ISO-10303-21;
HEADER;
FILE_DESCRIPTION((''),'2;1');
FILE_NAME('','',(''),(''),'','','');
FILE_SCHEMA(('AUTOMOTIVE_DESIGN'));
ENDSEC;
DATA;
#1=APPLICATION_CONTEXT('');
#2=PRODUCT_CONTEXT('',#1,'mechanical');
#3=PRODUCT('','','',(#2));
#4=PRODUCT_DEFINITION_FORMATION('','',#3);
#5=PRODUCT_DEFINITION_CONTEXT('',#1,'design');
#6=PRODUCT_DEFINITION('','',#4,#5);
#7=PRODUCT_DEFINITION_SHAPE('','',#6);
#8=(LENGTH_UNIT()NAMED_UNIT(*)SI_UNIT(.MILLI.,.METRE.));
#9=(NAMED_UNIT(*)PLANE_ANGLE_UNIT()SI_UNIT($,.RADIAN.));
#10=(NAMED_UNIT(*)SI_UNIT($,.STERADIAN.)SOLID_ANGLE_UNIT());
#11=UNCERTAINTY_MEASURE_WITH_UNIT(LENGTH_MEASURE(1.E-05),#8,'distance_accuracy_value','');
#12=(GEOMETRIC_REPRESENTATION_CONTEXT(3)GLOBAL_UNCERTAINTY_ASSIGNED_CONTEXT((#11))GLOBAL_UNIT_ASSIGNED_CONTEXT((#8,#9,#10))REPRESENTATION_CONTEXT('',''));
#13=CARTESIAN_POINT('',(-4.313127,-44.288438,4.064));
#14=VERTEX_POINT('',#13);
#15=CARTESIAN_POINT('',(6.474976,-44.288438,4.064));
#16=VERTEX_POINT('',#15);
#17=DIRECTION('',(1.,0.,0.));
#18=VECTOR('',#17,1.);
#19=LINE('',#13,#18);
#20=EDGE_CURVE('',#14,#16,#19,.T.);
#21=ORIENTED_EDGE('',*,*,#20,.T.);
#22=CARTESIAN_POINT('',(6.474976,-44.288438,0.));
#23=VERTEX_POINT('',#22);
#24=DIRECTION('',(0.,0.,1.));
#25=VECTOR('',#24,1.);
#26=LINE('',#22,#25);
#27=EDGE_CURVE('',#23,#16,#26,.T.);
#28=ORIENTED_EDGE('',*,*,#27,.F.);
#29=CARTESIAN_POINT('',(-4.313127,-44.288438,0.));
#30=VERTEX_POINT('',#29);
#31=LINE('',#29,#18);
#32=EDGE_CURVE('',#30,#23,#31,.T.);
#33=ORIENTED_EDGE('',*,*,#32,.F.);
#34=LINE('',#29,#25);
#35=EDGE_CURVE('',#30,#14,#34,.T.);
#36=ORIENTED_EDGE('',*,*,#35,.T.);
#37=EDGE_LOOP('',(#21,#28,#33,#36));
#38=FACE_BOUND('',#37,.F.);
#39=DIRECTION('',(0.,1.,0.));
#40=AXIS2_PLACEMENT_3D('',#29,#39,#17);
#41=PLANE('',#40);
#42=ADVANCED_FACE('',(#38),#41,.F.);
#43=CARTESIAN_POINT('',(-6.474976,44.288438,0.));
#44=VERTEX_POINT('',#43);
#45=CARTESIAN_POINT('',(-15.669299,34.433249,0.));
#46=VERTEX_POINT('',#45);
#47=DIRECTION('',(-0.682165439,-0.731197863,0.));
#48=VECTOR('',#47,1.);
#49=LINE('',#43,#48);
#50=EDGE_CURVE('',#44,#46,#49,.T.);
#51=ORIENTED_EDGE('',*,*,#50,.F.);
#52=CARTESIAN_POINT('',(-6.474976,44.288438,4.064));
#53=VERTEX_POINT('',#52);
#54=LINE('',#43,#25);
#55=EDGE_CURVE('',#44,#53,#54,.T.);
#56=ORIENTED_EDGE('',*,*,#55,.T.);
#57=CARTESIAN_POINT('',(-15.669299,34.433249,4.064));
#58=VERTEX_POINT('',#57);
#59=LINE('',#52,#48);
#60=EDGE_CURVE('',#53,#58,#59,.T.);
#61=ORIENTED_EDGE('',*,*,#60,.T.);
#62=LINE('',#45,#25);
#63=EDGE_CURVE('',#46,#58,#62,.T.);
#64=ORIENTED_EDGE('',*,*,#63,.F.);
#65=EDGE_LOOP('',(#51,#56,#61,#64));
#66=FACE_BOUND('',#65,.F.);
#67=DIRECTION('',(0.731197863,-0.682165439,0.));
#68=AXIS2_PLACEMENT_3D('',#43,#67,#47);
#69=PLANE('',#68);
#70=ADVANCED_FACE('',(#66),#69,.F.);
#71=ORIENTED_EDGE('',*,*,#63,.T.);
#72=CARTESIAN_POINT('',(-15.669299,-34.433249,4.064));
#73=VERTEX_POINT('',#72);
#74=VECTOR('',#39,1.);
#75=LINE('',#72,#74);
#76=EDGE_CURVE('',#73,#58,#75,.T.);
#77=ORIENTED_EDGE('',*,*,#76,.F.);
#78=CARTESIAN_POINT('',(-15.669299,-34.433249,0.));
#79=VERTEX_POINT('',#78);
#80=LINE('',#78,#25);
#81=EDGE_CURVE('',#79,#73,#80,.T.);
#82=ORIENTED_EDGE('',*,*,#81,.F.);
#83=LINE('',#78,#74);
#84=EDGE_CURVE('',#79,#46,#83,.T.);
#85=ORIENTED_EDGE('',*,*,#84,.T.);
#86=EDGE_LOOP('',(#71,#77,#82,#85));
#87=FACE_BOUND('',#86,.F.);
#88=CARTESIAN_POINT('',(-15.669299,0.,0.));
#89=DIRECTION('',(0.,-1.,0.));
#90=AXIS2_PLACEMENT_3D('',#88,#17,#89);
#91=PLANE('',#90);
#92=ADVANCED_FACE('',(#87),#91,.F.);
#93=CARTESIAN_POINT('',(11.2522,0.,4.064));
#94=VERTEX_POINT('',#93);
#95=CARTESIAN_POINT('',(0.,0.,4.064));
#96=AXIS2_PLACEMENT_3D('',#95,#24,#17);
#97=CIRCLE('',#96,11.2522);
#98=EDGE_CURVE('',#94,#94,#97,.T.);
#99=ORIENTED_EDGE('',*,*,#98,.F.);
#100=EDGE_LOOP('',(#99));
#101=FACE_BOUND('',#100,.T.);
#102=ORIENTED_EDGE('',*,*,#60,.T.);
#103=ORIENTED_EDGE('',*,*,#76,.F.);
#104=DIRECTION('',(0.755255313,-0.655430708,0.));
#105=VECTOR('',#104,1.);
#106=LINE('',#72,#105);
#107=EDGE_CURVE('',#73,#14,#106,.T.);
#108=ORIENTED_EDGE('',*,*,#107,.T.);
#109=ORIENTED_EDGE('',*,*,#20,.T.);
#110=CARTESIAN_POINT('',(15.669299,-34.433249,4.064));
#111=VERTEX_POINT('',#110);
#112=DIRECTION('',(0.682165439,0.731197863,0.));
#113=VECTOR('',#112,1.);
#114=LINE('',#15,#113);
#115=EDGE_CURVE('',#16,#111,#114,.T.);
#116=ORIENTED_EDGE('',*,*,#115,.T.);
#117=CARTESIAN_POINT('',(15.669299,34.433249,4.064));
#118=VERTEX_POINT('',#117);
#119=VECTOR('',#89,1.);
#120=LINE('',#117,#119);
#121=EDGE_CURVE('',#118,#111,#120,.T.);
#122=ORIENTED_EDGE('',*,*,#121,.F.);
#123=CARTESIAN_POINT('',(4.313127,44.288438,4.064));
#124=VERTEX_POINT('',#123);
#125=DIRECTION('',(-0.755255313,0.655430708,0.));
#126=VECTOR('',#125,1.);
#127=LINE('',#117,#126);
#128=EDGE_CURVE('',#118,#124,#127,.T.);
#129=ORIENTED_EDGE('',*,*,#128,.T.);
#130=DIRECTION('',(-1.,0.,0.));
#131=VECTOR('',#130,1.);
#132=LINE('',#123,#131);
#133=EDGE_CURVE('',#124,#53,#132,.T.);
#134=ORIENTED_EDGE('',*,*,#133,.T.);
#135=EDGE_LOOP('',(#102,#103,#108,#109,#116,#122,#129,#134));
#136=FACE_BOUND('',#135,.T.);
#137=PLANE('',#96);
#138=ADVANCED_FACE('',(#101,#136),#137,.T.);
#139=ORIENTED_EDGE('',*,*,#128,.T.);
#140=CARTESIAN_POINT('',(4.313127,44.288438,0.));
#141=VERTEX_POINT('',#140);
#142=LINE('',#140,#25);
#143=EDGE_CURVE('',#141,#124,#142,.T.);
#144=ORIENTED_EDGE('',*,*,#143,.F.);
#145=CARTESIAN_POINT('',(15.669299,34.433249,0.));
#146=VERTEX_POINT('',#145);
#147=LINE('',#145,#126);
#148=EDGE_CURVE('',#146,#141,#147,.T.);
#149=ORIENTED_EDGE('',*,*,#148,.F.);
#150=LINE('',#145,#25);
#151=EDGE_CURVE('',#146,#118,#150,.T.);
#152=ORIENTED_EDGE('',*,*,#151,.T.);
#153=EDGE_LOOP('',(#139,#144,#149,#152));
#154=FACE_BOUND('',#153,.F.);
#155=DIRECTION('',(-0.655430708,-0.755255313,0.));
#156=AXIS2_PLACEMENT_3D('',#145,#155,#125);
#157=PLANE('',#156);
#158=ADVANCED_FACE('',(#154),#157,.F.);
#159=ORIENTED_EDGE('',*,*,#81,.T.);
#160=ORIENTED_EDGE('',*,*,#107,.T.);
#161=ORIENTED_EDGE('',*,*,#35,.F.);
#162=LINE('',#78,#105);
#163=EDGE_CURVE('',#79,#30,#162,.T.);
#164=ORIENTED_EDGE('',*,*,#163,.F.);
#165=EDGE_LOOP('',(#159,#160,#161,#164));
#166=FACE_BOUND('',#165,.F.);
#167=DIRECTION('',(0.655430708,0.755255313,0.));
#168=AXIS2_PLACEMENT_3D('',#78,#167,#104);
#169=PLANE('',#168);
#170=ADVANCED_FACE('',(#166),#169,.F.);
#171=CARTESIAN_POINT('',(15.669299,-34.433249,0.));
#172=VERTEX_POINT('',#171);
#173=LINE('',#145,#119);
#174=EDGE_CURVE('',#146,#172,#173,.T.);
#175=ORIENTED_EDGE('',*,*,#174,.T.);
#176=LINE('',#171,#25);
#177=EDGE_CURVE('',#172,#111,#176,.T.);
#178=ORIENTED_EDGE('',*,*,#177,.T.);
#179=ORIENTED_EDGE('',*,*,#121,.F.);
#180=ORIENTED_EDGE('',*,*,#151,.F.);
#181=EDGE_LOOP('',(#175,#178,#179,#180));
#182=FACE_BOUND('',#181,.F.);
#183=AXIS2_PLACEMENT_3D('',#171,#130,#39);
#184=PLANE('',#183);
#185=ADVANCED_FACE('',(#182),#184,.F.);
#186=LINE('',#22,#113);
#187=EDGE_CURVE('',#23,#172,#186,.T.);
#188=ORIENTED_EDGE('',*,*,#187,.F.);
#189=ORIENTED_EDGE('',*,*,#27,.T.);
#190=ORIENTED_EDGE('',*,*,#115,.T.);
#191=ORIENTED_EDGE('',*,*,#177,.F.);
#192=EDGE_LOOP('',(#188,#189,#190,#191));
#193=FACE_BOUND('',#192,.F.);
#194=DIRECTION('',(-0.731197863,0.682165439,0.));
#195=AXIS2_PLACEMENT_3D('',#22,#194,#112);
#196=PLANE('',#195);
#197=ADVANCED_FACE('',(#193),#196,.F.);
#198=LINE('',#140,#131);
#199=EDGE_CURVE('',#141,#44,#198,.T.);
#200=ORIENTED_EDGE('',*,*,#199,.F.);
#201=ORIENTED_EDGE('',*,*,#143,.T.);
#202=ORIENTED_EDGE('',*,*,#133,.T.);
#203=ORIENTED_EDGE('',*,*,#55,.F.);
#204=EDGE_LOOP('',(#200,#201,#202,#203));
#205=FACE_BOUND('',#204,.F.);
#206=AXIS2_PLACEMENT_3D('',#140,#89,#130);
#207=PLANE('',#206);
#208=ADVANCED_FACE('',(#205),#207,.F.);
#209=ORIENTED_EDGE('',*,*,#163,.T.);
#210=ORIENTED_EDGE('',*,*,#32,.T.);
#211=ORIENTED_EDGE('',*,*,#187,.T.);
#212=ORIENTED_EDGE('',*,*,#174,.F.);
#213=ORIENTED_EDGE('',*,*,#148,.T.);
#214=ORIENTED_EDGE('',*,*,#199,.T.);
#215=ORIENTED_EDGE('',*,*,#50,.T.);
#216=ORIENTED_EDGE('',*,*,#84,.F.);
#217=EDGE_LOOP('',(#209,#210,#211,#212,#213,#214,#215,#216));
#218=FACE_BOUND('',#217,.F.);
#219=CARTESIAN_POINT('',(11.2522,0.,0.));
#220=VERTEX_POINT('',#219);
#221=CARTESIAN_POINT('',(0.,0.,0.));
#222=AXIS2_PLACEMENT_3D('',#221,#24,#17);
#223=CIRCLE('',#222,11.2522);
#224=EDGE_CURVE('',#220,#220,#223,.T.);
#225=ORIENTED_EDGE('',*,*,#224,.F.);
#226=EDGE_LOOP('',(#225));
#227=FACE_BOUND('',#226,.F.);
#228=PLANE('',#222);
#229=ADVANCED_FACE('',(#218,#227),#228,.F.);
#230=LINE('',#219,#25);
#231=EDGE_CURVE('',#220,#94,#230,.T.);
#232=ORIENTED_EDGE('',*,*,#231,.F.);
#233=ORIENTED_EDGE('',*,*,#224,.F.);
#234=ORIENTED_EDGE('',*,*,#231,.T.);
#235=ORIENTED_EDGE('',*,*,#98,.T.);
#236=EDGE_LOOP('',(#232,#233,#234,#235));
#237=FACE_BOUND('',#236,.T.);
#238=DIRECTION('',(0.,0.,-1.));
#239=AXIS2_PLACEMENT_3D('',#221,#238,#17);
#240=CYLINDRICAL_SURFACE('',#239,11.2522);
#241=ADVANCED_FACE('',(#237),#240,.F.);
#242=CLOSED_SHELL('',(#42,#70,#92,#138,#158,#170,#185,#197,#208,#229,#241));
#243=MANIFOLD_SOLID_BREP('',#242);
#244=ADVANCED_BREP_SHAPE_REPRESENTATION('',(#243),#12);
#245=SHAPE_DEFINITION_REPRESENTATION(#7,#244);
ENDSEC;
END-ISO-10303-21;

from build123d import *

# Parameters (mm, degrees)
F0_R     = 11.2522
F1_DEPTH = 4.064
F2_COUNT = 2


with BuildPart() as f1:
    # F0 (on Top) → F1 (new body)
    with BuildSketch(Plane.XY):
        with BuildLine():
            ThreePointArc((-15.669299, 0), (0, -15.669299), (15.669299, 0))
            ThreePointArc((15.669299, 0), (0, 15.669299), (-15.669299, 0))
        make_face()
        Circle(F0_R, mode=Mode.SUBTRACT)
        with BuildLine():
            Line((15.669299, -34.433249), (15.669299, 0))
            ThreePointArc((15.669299, 0), (0, -15.669299), (-15.669299, 0))
            Line((-15.669299, 0), (-15.669299, -34.433249))
            Line((-15.669299, -34.433249), (-4.313127, -44.288438))
            Line((-4.313127, -44.288438), (6.474976, -44.288438))
            Line((6.474976, -44.288438), (15.669299, -34.433249))
        make_face()
    extrude(amount=F1_DEPTH)

    # F2: F1 ×2 about axis
    f2_axis = Axis((0, 0, 4.064), (0, 0, 1))


with BuildPart() as f1_1:
    add(f1.part)
    for i in range(1, F2_COUNT):
        add(f1.part.rotate(f2_axis, i * 360 / F2_COUNT))


solid = f1_1.part
